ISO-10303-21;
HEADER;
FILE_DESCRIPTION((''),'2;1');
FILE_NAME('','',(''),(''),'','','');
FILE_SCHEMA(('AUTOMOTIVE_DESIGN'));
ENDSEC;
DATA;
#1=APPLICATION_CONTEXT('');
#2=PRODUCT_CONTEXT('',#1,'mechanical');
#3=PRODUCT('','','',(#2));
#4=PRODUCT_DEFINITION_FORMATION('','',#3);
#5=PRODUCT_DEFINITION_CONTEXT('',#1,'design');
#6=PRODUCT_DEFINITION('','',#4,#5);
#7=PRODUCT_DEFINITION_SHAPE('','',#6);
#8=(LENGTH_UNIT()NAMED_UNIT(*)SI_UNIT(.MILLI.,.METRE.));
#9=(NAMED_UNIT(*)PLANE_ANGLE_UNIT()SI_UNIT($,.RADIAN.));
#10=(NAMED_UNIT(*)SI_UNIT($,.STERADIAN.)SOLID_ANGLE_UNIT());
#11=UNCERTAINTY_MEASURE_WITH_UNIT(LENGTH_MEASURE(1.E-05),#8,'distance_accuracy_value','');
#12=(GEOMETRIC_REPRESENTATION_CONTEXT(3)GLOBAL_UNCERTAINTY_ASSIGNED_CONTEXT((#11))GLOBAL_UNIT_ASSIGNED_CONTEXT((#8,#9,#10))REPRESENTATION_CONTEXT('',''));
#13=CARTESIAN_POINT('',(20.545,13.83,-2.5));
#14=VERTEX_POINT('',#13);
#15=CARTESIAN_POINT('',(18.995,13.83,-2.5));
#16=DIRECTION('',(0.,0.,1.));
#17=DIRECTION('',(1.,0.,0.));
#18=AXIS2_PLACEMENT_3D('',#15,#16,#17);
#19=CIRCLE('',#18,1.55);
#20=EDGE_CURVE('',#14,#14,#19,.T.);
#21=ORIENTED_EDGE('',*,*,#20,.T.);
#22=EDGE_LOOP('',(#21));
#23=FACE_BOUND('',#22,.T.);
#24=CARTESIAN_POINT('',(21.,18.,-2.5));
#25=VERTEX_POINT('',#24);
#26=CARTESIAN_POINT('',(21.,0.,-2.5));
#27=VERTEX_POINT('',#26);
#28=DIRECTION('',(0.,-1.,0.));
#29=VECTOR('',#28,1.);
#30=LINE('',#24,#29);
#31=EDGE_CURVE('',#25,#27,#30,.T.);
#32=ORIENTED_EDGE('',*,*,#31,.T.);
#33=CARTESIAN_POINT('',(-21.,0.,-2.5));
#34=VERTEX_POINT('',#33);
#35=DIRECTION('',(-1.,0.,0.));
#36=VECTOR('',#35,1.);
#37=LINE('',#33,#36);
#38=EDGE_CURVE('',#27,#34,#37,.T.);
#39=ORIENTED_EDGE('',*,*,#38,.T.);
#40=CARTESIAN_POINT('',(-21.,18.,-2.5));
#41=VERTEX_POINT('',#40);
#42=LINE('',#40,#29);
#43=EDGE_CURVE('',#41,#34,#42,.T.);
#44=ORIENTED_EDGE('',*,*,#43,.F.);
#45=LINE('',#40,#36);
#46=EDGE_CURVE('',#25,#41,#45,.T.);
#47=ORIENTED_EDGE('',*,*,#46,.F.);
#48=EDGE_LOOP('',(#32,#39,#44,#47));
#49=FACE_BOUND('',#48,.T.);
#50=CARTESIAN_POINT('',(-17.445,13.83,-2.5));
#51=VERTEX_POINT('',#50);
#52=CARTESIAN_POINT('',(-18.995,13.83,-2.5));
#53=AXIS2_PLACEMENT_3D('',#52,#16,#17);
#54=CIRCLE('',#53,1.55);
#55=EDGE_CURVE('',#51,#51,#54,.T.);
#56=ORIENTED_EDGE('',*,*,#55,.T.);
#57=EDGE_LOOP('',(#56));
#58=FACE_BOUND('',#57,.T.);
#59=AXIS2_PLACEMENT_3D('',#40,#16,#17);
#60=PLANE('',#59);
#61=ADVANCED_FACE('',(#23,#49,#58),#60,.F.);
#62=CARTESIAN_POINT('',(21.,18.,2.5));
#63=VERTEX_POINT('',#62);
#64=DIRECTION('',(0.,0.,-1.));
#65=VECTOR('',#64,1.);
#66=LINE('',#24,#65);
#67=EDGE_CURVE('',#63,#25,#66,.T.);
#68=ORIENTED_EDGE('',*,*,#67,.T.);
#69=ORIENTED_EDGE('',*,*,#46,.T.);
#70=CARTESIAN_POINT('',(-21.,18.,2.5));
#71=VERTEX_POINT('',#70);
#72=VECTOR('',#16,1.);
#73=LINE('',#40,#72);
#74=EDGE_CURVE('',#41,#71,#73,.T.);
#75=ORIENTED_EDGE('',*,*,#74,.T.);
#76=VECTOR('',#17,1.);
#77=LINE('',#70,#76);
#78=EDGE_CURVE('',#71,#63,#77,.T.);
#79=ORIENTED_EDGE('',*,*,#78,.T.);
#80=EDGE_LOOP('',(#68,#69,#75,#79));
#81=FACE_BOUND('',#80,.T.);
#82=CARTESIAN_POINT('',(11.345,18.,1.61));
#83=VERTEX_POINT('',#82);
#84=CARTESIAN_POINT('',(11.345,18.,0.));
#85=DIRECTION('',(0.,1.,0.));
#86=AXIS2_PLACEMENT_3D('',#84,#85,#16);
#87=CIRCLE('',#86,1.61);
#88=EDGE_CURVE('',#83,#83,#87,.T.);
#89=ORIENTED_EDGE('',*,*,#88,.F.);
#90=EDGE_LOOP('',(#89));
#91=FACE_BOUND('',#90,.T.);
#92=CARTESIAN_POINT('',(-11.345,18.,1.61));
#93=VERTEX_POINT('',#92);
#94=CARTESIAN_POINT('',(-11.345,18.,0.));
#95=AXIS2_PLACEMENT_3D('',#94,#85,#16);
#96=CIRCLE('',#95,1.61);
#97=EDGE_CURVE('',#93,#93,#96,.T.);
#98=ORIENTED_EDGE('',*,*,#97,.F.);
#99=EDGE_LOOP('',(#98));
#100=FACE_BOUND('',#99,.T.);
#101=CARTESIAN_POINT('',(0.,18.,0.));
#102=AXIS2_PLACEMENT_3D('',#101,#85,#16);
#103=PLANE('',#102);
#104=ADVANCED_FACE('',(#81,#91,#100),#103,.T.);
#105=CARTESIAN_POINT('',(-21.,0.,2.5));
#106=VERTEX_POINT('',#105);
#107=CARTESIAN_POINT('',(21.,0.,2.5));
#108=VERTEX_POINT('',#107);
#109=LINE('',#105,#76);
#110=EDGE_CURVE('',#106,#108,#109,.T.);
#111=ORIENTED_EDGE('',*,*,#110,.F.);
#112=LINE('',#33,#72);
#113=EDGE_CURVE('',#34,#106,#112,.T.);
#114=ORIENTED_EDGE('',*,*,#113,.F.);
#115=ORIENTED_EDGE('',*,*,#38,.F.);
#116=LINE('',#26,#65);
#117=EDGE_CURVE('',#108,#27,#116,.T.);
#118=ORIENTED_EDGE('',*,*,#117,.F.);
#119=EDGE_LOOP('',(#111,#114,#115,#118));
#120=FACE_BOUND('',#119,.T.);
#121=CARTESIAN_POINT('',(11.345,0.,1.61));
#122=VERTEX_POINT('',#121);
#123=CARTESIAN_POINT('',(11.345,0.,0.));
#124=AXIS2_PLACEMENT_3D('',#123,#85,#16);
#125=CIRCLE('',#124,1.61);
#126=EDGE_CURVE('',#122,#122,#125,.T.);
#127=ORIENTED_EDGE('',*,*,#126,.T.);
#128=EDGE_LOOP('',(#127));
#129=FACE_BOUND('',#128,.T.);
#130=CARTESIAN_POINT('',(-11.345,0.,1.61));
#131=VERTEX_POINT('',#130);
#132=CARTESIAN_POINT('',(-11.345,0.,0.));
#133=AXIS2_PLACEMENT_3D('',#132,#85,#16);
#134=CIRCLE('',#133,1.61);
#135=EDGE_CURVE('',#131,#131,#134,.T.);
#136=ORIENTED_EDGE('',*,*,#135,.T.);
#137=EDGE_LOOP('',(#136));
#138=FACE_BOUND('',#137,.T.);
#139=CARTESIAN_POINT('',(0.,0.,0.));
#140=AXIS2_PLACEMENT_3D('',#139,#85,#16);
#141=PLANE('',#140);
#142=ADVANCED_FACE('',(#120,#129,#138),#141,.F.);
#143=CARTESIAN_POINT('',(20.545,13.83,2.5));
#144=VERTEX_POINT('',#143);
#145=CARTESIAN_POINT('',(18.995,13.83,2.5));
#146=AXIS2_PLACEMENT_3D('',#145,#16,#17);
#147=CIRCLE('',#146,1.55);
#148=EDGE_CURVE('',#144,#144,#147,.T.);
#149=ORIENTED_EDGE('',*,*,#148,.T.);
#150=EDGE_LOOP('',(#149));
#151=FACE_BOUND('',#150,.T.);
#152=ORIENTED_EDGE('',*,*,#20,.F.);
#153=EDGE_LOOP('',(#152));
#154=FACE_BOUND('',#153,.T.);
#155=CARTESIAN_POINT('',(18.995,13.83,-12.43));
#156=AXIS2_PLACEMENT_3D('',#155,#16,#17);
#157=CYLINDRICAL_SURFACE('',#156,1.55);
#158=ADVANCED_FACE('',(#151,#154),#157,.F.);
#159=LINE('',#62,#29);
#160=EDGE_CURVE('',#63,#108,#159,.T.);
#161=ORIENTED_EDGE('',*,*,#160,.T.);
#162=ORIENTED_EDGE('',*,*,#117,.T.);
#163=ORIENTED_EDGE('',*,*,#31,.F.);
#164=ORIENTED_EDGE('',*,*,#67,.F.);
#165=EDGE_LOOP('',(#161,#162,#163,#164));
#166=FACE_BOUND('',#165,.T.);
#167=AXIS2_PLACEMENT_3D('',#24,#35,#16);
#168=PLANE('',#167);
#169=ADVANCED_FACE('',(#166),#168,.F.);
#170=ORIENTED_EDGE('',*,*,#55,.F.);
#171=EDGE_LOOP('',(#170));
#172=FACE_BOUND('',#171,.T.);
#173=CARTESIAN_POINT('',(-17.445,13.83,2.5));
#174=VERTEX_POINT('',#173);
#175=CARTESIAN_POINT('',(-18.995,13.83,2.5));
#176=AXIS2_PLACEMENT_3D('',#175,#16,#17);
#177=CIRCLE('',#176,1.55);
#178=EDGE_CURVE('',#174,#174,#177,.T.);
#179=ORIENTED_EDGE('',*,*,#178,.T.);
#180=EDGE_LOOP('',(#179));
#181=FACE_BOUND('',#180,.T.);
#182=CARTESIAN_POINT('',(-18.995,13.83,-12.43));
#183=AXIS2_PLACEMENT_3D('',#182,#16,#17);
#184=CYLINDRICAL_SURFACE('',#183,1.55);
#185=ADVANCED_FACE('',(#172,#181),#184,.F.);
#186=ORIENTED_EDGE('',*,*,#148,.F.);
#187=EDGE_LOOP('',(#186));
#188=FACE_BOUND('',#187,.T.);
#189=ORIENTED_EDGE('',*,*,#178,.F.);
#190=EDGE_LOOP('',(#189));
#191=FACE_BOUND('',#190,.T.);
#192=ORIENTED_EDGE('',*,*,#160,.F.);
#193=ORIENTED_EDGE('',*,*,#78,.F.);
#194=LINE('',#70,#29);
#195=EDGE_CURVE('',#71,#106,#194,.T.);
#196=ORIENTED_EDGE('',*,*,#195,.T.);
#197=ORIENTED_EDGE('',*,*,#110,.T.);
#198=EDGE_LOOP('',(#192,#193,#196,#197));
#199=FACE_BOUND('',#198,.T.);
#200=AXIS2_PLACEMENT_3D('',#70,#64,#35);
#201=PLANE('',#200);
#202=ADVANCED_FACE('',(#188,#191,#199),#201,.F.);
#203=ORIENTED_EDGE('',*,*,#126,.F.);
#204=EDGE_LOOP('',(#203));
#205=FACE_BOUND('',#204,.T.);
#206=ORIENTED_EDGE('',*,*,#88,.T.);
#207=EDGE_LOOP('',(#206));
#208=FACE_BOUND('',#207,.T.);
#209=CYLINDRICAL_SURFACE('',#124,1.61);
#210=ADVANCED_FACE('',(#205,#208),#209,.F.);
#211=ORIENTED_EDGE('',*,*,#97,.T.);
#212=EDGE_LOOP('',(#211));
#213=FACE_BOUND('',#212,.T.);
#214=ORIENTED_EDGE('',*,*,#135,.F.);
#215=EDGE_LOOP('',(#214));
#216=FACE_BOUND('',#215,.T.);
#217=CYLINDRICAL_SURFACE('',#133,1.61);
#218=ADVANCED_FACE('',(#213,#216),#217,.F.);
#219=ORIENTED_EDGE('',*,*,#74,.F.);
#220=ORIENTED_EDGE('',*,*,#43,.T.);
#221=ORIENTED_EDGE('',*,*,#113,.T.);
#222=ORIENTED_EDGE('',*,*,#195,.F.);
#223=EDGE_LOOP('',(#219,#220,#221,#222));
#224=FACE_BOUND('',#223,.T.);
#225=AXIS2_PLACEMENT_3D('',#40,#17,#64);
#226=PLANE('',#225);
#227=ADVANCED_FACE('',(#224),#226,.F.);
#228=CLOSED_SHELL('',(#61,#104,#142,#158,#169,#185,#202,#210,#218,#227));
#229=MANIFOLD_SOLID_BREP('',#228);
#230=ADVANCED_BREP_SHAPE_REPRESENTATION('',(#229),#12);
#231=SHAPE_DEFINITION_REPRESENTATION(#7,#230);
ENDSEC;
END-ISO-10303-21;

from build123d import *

# Parameters (mm, degrees)
SKETCH_1_W          = 42
SKETCH_1_H          = 5
EXTRUDE_1_DEPTH     = 18
SKETCH_2_R          = 1.55
CUT_EXTRUDE_1_DEPTH = 14.93
SKETCH_3_R          = 1.61
CUT_EXTRUDE_2_DEPTH = 28.771388154


with BuildPart() as part:
    # 草图1 → 凸台-拉伸1 (new body)
    with BuildSketch(Plane(origin=(0, 0, 0), x_dir=(1, 0, 0), z_dir=(0, 1, 0))):
        Rectangle(SKETCH_1_W, SKETCH_1_H)
    extrude(amount=EXTRUDE_1_DEPTH)

    # 草图2 → 切除-拉伸1 (cut)
    with BuildSketch(Plane.XY.offset(2.5)):
        with Locations((-18.995, 13.83)):
            Circle(SKETCH_2_R)
        with Locations((18.995, 13.83)):
            Circle(SKETCH_2_R)
    extrude(amount=-CUT_EXTRUDE_1_DEPTH, mode=Mode.SUBTRACT)

    # 草图3 → 切除-拉伸2 (cut, through all)
    with BuildSketch(Plane(origin=(0, 18, 0), x_dir=(1, 0, 0), z_dir=(0, 1, 0))):
        with Locations(Location((-11.345, 0, 0), (0, 0, 270))):
            Circle(SKETCH_3_R)
        with Locations(Location((11.345, 0, 0), (0, 0, 270))):
            Circle(SKETCH_3_R)
    extrude(amount=-CUT_EXTRUDE_2_DEPTH, mode=Mode.SUBTRACT)


solid = part.part
